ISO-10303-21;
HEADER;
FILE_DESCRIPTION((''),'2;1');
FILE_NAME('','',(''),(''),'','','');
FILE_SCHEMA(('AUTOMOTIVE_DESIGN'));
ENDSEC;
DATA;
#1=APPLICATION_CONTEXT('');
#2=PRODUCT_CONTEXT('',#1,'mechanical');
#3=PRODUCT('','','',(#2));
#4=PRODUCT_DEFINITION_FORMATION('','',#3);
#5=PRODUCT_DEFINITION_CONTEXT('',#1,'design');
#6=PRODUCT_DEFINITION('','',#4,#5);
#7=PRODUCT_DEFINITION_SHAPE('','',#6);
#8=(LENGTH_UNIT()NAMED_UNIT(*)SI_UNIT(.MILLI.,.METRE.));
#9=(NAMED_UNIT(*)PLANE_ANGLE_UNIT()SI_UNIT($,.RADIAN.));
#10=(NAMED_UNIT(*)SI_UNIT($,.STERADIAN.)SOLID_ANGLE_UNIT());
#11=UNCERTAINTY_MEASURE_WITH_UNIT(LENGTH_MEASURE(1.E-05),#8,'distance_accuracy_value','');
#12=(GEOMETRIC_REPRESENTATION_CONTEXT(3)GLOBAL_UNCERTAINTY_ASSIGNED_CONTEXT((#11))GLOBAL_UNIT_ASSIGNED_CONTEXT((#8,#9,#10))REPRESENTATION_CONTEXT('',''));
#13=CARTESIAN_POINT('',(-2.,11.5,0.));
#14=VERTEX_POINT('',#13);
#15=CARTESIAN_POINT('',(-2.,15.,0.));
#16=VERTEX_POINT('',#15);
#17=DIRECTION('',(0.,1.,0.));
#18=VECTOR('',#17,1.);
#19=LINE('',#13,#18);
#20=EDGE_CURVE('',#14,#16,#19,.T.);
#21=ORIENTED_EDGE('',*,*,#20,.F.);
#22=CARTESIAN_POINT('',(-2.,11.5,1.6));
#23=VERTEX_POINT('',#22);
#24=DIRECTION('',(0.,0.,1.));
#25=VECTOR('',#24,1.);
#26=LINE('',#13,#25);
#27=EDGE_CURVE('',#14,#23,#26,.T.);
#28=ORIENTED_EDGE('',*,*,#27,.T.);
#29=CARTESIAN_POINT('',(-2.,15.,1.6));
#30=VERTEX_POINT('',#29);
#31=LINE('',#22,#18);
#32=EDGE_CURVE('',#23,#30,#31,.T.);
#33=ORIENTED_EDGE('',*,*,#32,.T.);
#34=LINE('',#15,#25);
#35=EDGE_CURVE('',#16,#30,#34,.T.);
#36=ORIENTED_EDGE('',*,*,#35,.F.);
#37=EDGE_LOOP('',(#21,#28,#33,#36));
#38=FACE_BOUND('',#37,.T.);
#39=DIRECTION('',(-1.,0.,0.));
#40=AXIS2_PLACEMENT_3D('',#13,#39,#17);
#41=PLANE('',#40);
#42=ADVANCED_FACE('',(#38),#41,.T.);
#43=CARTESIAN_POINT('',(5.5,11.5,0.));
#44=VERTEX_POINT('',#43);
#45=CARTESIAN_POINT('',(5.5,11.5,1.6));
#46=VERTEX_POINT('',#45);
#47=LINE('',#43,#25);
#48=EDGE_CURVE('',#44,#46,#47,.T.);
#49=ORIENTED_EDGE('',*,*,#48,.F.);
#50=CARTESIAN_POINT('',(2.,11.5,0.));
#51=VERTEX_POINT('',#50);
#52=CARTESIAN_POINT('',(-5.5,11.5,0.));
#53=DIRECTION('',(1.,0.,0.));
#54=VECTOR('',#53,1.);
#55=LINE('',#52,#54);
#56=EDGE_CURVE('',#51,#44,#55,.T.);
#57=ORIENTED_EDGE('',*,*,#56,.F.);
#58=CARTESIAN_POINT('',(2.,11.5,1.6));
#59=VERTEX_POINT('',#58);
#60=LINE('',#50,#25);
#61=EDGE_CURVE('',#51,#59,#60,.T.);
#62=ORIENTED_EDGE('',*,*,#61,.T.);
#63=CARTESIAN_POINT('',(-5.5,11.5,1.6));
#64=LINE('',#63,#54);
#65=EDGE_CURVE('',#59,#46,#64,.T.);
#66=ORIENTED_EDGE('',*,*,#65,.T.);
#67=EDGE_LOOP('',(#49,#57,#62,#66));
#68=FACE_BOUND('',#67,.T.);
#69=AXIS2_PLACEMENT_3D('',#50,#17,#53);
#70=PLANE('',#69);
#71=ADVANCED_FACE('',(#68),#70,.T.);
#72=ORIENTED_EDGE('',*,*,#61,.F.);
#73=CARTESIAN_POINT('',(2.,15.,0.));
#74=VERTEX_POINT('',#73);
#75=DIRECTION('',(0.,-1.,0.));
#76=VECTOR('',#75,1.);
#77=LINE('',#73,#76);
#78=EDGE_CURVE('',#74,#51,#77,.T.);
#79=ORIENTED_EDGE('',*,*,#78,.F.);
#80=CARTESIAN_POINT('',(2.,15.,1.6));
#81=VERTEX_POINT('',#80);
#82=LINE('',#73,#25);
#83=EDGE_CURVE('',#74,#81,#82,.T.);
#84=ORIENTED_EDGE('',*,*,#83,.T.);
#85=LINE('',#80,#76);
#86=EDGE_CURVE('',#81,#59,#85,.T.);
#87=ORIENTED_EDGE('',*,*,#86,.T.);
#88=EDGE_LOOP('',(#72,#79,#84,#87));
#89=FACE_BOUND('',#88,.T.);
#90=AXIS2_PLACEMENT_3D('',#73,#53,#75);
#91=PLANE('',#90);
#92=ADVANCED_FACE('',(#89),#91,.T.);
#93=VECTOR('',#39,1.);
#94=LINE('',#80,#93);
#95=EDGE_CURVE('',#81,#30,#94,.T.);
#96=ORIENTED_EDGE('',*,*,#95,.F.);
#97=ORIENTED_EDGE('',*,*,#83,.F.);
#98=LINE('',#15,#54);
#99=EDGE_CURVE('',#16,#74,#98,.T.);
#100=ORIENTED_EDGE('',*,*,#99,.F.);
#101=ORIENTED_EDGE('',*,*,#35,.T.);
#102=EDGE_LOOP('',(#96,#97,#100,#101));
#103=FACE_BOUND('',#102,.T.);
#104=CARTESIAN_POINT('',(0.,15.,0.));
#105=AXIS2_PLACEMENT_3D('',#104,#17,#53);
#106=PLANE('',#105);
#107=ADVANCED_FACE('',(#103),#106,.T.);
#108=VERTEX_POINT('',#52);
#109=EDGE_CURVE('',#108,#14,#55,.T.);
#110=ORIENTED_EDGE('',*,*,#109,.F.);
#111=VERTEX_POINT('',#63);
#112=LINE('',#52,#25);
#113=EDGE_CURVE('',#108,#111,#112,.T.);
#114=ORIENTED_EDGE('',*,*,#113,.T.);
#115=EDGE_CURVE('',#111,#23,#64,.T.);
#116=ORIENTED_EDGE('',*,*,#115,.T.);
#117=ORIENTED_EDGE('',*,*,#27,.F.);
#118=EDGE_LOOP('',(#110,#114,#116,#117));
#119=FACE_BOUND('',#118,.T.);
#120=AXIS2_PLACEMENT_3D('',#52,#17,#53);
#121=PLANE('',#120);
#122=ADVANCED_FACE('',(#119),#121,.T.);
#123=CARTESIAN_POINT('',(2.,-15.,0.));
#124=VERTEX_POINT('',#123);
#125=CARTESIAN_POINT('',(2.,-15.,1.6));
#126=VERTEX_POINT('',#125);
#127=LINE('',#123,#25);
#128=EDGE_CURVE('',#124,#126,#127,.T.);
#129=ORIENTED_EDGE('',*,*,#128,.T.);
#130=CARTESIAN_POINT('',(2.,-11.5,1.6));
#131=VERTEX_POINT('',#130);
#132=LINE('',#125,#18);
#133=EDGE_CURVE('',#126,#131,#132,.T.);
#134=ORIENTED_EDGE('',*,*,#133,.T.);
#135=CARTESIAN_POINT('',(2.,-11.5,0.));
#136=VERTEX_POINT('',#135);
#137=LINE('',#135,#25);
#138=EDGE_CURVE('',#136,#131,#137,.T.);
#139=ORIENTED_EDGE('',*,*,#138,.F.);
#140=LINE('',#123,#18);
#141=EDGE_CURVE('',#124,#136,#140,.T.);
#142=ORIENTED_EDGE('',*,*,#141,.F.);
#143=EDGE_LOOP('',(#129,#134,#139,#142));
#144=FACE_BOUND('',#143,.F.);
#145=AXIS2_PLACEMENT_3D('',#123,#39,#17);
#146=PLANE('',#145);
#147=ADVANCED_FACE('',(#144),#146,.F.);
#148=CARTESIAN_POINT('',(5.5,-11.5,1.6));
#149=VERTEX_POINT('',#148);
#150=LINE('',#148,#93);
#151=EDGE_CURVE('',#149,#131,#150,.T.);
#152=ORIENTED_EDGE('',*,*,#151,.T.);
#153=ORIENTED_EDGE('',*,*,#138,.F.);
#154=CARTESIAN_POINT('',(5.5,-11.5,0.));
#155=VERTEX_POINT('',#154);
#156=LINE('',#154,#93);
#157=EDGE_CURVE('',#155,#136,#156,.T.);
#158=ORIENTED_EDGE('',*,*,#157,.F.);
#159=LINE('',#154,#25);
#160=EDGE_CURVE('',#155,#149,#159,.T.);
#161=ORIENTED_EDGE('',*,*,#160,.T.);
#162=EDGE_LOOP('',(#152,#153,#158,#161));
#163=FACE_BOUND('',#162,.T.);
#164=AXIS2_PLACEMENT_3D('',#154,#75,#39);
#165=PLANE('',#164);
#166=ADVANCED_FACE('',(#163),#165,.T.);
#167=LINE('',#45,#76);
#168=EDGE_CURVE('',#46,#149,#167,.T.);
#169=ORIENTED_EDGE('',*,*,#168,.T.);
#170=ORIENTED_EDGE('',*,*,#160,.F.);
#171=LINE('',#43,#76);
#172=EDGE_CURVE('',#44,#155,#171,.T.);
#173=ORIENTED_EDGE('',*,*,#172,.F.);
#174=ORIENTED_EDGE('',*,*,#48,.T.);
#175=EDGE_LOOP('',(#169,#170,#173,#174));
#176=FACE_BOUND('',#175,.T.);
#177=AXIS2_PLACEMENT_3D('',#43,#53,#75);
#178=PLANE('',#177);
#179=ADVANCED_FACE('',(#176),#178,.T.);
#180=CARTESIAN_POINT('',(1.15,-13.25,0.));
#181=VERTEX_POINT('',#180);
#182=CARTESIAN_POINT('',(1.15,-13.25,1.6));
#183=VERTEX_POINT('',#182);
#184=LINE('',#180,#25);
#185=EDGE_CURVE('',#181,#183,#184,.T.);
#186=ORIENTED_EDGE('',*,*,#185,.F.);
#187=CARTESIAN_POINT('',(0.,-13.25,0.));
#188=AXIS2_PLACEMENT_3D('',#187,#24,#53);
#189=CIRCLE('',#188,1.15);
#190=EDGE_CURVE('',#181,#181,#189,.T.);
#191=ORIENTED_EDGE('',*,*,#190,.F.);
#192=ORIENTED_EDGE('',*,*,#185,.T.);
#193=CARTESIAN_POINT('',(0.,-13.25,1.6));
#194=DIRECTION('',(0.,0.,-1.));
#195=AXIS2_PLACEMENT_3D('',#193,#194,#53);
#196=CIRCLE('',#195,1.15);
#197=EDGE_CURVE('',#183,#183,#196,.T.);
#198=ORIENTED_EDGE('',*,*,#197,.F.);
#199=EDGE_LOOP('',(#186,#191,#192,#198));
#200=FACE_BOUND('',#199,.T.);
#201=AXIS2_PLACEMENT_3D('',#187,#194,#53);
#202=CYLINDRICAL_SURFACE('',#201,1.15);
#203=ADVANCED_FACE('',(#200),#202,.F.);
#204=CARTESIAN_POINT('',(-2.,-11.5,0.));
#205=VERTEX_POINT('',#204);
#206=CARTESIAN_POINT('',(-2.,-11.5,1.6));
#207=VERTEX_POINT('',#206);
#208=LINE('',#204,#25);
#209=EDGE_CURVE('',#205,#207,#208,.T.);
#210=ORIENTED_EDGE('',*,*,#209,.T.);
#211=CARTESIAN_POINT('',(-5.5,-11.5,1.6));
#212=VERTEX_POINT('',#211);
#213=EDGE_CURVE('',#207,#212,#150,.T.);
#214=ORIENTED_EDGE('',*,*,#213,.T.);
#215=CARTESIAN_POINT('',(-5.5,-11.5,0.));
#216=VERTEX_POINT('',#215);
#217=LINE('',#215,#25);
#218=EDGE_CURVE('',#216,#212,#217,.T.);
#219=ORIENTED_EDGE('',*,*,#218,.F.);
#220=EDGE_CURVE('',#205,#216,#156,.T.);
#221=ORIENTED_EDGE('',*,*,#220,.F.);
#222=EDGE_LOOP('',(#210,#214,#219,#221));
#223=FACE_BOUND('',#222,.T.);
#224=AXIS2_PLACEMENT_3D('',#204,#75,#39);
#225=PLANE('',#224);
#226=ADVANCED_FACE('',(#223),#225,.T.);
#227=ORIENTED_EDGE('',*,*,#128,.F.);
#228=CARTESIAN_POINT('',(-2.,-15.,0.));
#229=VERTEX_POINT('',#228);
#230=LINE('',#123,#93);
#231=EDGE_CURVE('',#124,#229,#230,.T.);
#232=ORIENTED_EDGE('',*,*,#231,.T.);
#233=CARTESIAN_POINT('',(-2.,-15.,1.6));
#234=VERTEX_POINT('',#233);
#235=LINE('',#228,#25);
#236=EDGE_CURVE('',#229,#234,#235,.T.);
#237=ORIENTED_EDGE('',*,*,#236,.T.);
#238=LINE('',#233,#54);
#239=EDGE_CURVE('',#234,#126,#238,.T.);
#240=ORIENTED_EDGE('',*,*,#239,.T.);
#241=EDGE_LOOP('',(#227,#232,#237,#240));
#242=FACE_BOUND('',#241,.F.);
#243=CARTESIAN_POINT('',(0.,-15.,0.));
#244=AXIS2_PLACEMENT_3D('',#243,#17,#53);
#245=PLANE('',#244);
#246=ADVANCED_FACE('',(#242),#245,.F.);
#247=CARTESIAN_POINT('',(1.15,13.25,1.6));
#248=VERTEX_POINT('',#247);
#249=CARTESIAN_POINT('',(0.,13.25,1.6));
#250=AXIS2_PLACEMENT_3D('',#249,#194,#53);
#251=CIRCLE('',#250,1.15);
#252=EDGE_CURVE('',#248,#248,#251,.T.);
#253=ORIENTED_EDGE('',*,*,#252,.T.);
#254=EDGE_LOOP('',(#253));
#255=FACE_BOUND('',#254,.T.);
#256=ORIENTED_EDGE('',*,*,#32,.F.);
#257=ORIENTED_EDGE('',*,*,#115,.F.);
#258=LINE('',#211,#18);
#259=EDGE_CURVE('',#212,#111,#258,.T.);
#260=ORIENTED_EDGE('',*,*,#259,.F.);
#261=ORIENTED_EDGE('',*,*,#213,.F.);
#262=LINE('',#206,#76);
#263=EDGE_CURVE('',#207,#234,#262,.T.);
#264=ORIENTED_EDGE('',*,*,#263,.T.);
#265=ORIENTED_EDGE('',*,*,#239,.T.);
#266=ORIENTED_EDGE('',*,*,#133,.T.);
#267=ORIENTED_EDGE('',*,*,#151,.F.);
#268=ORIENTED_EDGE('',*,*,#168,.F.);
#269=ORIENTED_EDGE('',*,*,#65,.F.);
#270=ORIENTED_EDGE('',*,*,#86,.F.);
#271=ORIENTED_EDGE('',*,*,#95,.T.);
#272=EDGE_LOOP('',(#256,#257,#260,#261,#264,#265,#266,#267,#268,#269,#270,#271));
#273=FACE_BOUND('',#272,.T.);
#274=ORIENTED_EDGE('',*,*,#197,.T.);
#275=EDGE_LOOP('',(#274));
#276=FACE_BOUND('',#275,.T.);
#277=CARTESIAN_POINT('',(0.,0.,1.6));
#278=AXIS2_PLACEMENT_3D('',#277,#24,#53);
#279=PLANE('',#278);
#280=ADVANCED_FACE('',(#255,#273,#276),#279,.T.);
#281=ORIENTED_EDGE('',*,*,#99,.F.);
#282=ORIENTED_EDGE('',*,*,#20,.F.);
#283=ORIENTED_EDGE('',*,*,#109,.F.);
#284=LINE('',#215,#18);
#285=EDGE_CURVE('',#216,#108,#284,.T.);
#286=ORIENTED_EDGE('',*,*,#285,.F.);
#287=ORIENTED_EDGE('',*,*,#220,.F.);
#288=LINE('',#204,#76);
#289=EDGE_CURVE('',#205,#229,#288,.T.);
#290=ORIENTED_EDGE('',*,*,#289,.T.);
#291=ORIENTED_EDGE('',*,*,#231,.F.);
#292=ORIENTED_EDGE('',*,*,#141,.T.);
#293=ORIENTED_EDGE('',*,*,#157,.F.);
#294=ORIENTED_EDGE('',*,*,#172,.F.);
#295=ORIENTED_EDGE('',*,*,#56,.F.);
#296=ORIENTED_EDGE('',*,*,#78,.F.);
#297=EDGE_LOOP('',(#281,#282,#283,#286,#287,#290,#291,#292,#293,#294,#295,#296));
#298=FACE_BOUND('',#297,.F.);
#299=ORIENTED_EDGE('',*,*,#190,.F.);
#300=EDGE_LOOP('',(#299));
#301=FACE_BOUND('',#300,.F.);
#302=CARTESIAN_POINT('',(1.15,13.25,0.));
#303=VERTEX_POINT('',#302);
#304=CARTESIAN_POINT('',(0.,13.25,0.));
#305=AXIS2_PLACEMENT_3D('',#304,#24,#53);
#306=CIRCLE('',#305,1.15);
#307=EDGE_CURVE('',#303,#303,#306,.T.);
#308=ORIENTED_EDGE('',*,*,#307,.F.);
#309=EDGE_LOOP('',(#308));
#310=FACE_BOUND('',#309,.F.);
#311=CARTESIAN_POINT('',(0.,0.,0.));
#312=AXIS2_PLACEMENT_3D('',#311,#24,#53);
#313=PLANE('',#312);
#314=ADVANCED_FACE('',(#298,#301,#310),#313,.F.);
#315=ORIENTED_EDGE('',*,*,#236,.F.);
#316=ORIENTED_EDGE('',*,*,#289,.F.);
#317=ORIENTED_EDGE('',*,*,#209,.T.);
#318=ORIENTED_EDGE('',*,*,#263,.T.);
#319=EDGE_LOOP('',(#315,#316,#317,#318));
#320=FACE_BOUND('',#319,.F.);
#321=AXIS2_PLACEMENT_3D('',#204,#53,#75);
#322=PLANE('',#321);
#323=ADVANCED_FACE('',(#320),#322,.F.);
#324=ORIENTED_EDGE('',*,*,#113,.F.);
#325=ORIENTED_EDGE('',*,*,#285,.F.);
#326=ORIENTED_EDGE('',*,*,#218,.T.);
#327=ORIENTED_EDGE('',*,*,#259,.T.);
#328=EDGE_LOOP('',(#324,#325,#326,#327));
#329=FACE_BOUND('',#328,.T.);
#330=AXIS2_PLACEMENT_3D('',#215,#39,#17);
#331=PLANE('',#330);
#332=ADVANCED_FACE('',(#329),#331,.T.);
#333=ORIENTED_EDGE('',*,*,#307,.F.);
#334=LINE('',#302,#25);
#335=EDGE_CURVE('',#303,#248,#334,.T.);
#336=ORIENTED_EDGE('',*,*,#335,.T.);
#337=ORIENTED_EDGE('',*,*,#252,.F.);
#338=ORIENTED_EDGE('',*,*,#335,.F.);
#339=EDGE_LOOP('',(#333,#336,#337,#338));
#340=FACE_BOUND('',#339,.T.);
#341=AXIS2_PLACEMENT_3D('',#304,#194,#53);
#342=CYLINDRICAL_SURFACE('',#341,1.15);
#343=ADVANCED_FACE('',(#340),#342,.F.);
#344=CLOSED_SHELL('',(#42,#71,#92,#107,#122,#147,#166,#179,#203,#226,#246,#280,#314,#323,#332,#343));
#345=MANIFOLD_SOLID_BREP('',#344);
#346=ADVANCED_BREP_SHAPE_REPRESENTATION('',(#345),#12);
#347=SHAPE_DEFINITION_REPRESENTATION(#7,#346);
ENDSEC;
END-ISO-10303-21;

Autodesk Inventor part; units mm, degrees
ref_plane "YZ Plane" through (0, 0, 0) normal (1, 0, 0) x (0, 1, 0)
ref_plane "XZ Plane" through (0, 0, 0) normal (0, 1, 0) x (-1, 0, 0)
ref_plane "XY Plane" through (0, 0, 0) normal (0, 0, 1) x (1, 0, 0)
ref_plane "作業平面1" through (0, 0, 0) normal (0, 0, 1) x (1, 0, 0)
sketch "スケッチ1" plane through (0, 0, 0) normal (0, 0, 1) x (1, 0, 0)
  line L0 (5.5, -11.5) -> (-5.5, -11.5) projected
  line L1 (5.5, 11.5) -> (5.5, -11.5) projected
  line L2 (-5.5, 11.5) -> (5.5, 11.5) projected
  line L3 (-5.5, -11.5) -> (-5.5, 11.5) projected
  line L4 (2, 11.5) -> (-2, 11.5)
  line L5 (-2, 11.5) -> (-2, 15)
  line L6 (-2, 15) -> (2, 15)
  line L7 (2, 15) -> (2, 11.5)
  line L8 (2, -11.5) -> (-2, -11.5)
  line L9 (-2, -11.5) -> (-2, -15)
  line L10 (-2, -15) -> (2, -15)
  line L11 (2, -15) -> (2, -11.5)
  line L12 (0, -21) -> (0, 21) projected
  circle A0 centre (0, 13.25) radius 1.15
  circle A1 centre (0, -13.25) radius 1.15
  line L13 (2, 13.25) -> (-2, 13.25) construction
  line L14 (2, -13.25) -> (-2, -13.25) construction
  point P0 (0, 0)
  point P1 (0, 15)
  dimension "d0" = 3.5
  dimension "d1" = 4
  dimension "d2" = 2.3
extrude "押し出し1" add sketch "スケッチ1" along normal blind 1.6 contours L0 L12 L2 L1 | L11 L10 L12 A1 L0 | L12 A1 L10 L9 L0 | L0 L3 L2 L12 | L2 L12 A0 L6 L7 | L2 L5 L6 L12 A0
properties part number "Segment_PCB"
